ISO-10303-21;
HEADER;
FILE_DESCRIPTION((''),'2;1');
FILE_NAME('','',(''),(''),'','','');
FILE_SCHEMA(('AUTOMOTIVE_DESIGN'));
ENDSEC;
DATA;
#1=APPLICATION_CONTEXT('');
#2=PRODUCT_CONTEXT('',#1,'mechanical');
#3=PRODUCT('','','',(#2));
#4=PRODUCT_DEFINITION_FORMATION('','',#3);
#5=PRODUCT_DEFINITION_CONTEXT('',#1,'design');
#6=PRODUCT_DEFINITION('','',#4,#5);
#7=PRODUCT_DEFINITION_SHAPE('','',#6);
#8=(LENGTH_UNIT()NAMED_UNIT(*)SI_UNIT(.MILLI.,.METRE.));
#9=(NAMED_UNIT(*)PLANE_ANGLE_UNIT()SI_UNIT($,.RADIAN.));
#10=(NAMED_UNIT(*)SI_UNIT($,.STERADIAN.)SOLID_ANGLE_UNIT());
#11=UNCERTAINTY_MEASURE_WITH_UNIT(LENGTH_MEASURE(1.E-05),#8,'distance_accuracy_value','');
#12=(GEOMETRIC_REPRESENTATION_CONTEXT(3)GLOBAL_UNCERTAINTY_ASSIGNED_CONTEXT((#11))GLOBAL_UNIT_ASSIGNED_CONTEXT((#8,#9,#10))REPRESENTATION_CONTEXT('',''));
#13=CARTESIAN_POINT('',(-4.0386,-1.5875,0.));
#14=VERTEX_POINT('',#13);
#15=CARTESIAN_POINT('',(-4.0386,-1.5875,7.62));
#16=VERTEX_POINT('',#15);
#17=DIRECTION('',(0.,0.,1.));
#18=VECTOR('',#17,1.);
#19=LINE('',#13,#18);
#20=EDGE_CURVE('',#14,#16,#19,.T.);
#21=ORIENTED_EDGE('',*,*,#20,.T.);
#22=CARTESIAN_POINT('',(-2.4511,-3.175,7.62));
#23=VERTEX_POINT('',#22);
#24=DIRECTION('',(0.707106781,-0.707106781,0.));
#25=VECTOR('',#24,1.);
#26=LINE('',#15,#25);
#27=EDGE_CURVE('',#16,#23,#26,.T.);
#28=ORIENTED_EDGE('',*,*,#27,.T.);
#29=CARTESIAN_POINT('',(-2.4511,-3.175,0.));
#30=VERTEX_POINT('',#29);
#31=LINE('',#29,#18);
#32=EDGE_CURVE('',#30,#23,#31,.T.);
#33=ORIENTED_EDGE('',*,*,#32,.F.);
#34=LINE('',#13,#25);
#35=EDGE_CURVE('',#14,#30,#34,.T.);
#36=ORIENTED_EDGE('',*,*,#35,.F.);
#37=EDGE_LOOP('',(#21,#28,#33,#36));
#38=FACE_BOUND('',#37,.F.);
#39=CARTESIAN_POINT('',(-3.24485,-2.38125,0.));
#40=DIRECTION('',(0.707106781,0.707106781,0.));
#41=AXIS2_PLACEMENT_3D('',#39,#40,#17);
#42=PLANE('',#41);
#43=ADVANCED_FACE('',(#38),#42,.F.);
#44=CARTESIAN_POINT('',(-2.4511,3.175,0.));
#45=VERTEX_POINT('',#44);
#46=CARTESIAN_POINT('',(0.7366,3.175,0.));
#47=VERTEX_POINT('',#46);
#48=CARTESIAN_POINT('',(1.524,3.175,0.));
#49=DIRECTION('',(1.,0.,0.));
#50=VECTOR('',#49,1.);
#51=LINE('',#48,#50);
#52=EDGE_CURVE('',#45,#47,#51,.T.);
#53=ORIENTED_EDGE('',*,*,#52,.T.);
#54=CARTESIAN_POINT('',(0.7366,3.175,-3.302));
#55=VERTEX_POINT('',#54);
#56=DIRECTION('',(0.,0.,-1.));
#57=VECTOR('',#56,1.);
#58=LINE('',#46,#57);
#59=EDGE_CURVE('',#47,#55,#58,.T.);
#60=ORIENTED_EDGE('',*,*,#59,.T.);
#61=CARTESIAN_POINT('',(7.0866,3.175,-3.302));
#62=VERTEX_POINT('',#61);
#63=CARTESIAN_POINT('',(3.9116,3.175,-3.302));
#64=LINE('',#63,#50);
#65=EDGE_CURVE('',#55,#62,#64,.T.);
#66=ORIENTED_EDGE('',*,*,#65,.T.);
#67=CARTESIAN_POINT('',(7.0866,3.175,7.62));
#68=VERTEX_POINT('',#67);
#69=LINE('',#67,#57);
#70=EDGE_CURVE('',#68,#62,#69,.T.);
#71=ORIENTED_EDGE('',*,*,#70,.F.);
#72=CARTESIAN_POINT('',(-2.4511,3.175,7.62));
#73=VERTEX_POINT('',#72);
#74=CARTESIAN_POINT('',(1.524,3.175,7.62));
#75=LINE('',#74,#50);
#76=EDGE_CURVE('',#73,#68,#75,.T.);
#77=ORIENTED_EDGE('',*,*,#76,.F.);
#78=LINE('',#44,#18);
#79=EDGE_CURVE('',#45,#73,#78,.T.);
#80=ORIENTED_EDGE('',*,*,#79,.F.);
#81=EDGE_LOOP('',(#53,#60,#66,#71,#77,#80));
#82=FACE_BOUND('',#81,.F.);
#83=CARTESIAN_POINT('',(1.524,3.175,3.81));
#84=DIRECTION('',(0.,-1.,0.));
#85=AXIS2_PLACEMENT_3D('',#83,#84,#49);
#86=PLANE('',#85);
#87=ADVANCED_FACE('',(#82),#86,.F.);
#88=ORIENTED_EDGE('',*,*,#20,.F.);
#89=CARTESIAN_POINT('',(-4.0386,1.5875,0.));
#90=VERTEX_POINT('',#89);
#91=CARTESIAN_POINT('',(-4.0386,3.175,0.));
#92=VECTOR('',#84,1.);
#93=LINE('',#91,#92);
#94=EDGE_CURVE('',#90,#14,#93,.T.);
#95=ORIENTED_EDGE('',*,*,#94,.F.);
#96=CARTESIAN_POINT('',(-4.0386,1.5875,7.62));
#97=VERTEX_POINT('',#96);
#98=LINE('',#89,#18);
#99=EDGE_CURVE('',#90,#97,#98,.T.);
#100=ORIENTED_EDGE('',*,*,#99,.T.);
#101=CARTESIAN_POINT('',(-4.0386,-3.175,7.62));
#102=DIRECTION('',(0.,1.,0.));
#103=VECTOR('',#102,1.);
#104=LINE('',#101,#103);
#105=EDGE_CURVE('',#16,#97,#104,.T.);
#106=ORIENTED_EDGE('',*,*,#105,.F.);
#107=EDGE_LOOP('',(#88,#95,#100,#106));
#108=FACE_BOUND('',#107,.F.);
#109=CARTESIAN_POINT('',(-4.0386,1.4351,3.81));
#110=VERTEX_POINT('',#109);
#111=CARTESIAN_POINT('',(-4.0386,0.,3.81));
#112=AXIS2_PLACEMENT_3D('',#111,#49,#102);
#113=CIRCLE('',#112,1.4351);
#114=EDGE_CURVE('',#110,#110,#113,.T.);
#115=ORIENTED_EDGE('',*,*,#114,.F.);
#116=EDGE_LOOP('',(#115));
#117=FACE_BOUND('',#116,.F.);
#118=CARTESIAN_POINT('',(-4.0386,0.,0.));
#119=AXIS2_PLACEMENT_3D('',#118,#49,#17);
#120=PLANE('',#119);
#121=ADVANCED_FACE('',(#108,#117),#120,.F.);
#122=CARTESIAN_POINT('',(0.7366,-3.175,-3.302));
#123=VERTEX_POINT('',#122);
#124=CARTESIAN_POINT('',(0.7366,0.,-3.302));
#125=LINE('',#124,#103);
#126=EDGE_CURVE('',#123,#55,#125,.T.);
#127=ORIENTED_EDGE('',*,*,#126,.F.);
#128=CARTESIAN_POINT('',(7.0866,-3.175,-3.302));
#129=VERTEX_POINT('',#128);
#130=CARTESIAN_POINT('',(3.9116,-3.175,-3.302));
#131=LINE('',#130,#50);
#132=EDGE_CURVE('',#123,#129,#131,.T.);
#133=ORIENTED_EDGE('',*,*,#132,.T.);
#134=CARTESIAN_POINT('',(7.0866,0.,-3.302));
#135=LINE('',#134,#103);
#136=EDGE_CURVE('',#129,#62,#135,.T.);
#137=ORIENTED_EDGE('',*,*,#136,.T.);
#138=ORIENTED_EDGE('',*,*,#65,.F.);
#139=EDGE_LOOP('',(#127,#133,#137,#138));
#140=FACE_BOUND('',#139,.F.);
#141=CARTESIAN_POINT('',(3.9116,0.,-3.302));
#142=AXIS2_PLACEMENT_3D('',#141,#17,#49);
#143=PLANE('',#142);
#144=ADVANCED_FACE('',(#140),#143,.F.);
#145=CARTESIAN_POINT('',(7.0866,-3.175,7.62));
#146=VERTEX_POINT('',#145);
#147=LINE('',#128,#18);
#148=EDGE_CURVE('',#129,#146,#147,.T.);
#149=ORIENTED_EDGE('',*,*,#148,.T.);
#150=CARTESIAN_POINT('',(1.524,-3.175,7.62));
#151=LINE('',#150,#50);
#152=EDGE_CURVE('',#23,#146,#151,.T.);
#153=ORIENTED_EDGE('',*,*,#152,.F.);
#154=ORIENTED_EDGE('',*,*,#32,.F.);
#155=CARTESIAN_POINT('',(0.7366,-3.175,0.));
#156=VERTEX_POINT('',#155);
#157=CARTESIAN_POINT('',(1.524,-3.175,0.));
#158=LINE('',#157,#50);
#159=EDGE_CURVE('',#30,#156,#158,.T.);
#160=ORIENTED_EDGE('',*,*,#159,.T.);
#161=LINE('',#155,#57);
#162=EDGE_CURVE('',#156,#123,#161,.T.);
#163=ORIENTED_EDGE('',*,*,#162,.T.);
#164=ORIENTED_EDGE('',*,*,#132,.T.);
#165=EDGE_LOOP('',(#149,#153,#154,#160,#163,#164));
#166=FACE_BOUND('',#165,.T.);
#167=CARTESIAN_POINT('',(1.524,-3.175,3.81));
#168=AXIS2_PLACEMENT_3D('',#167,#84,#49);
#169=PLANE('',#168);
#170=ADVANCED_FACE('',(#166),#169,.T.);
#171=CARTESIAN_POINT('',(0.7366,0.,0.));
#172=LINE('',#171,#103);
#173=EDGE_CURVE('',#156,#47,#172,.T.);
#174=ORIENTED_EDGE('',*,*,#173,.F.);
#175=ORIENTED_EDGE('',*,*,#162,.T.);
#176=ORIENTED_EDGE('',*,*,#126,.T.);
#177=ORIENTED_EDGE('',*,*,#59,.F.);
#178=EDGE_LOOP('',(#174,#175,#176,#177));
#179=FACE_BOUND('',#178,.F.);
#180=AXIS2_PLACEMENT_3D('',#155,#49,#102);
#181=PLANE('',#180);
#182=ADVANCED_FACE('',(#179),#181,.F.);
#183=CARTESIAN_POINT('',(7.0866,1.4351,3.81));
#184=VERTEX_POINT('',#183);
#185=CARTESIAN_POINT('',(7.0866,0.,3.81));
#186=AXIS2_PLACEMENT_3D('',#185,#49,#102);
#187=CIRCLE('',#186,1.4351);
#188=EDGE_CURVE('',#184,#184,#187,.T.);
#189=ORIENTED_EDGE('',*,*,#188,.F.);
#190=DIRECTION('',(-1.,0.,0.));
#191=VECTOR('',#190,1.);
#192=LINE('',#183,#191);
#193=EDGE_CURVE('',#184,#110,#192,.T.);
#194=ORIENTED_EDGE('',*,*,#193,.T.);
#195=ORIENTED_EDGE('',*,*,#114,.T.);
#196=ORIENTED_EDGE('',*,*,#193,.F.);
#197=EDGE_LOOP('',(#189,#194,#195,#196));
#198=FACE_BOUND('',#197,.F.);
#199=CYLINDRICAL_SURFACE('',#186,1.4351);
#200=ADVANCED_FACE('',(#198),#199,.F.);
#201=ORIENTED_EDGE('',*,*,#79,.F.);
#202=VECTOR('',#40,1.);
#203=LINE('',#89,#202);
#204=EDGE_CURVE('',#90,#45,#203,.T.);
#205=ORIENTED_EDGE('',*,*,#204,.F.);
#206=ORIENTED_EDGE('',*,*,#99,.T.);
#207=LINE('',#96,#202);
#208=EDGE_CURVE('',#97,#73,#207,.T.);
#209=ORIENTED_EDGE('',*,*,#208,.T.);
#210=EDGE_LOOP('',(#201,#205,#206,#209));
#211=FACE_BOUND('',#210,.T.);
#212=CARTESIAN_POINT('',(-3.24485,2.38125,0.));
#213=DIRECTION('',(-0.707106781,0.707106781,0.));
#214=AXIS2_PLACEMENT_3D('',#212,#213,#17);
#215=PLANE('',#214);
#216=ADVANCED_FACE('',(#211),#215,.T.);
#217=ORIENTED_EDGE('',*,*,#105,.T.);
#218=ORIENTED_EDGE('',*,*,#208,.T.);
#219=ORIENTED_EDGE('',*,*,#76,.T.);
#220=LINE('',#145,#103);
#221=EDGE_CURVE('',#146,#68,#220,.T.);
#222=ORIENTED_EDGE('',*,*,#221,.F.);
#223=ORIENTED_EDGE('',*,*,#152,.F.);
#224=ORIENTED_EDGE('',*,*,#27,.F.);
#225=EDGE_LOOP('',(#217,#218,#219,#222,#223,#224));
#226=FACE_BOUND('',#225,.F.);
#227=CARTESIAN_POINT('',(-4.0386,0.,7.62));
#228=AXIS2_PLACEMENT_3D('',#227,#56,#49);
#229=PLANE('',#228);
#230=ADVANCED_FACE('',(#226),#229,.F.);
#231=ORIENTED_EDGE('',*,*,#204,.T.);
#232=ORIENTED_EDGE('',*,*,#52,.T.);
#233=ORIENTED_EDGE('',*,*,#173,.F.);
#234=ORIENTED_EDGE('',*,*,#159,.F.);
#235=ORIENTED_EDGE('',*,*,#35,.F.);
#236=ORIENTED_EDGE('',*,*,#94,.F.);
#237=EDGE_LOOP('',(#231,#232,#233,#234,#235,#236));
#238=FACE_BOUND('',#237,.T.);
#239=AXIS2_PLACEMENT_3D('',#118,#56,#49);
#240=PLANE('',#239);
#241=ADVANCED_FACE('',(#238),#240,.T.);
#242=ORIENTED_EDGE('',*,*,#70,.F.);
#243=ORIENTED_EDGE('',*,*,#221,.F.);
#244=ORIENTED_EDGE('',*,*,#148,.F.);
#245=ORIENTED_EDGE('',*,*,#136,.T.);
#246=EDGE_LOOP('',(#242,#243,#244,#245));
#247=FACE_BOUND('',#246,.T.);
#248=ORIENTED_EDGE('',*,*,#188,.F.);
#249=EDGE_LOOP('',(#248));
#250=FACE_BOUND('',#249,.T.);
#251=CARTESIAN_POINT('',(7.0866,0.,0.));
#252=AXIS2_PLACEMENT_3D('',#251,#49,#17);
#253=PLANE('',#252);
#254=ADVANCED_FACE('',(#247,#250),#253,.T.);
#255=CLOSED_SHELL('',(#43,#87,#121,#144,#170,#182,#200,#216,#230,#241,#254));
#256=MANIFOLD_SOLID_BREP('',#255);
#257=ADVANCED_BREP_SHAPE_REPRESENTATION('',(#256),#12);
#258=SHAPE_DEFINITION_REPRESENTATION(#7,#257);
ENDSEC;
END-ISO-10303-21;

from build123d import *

# Parameters (mm, degrees)
F0_W     = 6.35
F0_H     = 6.35
F1_DEPTH = 3.302
F2_W     = 11.1252
F2_H     = 7.62
F3_DEPTH = 3.175
F4_R     = 1.4351
F5_DEPTH = 11.1262
F6_SIZE  = 1.5875


with BuildPart() as f1:
    # F0 (on Top) → F1 (new body)
    with BuildSketch(Plane.XY):
        with Locations((3.9116, 0)):
            Rectangle(F0_W, F0_H)
    extrude(amount=-F1_DEPTH)

    # F2 (on Front) → F3 (join, symmetric)
    with BuildSketch(Plane.XZ):
        with Locations((1.524, 3.81)):
            Rectangle(F2_W, F2_H)
    extrude(amount=F3_DEPTH, both=True)

    # F4 (on face) → F5 (cut, through all)
    with BuildSketch(Plane.YZ.offset(7.0866)):
        with Locations((0, 3.81)):
            Circle(F4_R)
    extrude(amount=-F5_DEPTH, mode=Mode.SUBTRACT)

    # F6
    f6_edges = [f1.edges().sort_by_distance(p)[0] for p in [
        (-4.0386, -3.175, 3.81),
        (-4.0386, 3.175, 3.81),
    ]]
    chamfer(f6_edges, length=F6_SIZE)


solid = f1.part
